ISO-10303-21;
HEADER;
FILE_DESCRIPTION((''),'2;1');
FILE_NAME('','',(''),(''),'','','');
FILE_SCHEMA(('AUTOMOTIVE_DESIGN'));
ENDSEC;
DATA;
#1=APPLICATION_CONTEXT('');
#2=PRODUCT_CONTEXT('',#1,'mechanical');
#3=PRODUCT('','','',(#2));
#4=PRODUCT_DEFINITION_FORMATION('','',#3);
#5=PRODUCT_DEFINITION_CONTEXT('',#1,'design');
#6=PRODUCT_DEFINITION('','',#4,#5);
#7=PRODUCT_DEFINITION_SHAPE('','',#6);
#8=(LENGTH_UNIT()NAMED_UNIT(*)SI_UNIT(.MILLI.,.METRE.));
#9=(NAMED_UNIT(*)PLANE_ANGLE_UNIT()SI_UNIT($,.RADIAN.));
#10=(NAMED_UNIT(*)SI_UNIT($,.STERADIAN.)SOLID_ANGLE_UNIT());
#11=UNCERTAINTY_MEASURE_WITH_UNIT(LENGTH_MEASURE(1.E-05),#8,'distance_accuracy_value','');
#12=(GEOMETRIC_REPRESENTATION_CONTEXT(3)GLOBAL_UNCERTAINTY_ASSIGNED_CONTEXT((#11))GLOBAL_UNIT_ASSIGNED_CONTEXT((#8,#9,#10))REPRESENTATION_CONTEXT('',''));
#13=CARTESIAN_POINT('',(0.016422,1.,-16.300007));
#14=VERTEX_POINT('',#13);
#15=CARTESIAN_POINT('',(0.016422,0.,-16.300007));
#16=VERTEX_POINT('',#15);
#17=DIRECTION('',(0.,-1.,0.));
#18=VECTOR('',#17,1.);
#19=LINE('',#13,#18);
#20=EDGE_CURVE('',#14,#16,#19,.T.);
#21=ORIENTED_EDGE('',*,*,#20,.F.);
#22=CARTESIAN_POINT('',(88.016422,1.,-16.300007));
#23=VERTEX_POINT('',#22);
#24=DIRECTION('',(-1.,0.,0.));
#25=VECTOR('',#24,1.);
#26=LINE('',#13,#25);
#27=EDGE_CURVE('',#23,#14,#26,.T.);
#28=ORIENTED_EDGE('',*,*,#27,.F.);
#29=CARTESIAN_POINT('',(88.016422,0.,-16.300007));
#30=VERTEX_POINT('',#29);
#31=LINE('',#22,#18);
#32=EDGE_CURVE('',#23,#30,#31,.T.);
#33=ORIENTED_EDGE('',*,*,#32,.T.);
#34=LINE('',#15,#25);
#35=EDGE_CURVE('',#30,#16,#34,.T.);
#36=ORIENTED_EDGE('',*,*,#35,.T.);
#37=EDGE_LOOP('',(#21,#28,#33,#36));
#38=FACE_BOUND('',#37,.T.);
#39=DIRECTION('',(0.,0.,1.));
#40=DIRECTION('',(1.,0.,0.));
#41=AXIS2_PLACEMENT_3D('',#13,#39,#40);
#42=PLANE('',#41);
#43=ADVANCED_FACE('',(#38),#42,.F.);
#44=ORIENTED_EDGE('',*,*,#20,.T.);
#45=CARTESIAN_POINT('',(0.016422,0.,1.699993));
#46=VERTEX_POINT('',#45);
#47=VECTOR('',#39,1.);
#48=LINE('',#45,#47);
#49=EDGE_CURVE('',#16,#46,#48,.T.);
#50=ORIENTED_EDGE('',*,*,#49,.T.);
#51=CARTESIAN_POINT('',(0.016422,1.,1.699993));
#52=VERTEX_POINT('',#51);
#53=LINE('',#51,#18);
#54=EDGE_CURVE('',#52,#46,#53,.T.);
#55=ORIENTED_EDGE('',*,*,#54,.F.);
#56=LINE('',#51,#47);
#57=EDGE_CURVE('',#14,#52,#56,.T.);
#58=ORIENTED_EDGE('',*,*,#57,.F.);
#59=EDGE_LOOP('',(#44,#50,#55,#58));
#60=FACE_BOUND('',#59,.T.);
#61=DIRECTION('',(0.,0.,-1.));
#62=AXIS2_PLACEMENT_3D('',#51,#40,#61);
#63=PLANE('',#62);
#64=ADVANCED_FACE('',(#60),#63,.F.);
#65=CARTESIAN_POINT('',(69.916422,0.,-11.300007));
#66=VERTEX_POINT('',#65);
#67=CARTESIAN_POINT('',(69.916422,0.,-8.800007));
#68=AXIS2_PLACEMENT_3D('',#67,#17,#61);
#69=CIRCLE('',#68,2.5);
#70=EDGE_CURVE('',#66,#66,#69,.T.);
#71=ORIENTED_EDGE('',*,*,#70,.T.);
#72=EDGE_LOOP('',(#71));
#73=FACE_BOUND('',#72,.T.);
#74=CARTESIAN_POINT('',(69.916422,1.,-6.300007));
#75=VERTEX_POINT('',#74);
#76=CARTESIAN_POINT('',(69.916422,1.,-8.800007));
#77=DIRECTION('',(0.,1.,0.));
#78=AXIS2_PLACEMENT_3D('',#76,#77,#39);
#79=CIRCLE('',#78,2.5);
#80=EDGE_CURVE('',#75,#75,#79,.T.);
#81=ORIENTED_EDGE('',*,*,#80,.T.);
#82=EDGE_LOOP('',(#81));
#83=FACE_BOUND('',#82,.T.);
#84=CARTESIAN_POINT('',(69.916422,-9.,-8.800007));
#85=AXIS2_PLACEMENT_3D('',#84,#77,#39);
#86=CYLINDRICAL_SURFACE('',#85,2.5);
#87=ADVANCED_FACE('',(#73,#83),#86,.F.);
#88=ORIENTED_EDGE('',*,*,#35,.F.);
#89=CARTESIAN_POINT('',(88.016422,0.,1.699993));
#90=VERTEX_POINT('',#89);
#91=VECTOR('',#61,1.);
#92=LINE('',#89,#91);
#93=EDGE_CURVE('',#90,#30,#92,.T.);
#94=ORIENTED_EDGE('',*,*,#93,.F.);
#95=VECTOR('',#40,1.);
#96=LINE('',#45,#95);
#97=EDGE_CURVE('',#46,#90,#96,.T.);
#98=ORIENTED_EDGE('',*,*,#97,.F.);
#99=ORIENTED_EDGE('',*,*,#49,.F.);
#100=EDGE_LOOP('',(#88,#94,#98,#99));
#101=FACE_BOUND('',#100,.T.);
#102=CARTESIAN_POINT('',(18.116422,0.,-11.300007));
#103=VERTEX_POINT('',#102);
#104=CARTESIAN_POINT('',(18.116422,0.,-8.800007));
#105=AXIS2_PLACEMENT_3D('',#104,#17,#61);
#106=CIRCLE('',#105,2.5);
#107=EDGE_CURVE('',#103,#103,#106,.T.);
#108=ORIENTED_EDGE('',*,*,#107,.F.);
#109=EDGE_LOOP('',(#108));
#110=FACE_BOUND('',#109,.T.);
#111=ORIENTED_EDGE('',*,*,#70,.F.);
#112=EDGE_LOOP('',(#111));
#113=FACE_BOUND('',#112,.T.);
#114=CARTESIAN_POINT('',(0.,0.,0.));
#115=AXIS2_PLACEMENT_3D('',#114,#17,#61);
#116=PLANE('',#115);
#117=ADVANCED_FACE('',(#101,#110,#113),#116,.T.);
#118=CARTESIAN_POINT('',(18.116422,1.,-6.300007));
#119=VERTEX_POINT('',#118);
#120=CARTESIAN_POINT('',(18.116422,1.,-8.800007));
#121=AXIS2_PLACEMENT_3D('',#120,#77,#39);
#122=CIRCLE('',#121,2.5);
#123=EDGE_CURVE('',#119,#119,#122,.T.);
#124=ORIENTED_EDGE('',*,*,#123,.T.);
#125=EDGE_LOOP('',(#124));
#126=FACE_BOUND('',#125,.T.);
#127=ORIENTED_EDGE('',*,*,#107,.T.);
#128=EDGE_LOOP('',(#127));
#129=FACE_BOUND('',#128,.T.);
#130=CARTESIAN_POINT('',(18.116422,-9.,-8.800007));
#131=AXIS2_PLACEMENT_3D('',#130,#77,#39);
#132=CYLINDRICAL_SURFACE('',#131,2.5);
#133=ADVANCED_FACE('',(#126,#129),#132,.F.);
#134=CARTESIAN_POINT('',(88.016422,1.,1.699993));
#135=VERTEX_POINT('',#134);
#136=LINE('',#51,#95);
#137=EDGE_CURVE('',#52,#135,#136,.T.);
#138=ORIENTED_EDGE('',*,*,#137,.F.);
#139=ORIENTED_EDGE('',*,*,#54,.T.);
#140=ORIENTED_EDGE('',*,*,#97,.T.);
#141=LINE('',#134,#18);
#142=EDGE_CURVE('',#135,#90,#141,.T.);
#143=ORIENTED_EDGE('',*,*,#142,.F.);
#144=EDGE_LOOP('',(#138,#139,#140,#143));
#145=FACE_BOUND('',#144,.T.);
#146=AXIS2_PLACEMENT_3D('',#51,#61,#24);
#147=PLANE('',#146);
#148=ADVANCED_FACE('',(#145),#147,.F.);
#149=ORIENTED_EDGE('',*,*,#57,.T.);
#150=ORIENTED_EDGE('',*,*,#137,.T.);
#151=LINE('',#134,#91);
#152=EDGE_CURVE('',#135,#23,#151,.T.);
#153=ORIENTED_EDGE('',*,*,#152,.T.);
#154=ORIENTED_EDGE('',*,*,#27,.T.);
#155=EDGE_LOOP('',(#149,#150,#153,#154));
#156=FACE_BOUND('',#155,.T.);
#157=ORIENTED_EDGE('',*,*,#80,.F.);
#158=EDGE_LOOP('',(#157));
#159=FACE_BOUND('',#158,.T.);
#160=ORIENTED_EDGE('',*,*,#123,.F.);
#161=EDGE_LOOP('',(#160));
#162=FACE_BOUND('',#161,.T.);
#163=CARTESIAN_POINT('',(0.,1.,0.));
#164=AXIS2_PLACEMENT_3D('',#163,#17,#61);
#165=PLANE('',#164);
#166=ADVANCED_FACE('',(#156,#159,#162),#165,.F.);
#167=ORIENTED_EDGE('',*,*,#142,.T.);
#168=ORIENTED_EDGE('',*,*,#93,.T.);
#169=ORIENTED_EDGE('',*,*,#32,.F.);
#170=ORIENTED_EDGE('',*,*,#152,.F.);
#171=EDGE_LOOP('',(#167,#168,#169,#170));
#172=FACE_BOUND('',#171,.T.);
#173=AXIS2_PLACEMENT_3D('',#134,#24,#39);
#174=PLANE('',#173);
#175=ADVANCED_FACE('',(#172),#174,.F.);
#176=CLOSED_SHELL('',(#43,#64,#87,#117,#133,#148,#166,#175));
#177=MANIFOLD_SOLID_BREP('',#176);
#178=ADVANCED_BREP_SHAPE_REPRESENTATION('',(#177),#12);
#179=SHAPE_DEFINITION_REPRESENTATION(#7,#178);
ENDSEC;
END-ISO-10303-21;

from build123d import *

# Parameters (mm, degrees)
SKETCH1_W           = 88
SKETCH1_H           = 18
BOSS_EXTRUDE1_DEPTH = 1
SKETCH2_R           = 2.5
CUT_EXTRUDE1_DEPTH  = 10


with BuildPart() as part:
    # Sketch1 → Boss-Extrude1 (new body)
    with BuildSketch(Plane(origin=(0, 0, 0), x_dir=(1, 0, 0), z_dir=(0, 1, 0))):
        with Locations((44.016421842, 7.300007491)):
            Rectangle(SKETCH1_W, SKETCH1_H)
    extrude(amount=BOSS_EXTRUDE1_DEPTH)

    # Sketch2 → Cut-Extrude1 (cut)
    with BuildSketch(Plane(origin=(0, 1, 0), x_dir=(1, 0, 0), z_dir=(0, 1, 0))):
        with Locations(Location((69.916421842, 8.800007491, 0), (0, 0, 270))):
            Circle(SKETCH2_R)
        with Locations(Location((18.116421842, 8.800007491, 0), (0, 0, 270))):
            Circle(SKETCH2_R)
    extrude(amount=-CUT_EXTRUDE1_DEPTH, mode=Mode.SUBTRACT)


solid = part.part
